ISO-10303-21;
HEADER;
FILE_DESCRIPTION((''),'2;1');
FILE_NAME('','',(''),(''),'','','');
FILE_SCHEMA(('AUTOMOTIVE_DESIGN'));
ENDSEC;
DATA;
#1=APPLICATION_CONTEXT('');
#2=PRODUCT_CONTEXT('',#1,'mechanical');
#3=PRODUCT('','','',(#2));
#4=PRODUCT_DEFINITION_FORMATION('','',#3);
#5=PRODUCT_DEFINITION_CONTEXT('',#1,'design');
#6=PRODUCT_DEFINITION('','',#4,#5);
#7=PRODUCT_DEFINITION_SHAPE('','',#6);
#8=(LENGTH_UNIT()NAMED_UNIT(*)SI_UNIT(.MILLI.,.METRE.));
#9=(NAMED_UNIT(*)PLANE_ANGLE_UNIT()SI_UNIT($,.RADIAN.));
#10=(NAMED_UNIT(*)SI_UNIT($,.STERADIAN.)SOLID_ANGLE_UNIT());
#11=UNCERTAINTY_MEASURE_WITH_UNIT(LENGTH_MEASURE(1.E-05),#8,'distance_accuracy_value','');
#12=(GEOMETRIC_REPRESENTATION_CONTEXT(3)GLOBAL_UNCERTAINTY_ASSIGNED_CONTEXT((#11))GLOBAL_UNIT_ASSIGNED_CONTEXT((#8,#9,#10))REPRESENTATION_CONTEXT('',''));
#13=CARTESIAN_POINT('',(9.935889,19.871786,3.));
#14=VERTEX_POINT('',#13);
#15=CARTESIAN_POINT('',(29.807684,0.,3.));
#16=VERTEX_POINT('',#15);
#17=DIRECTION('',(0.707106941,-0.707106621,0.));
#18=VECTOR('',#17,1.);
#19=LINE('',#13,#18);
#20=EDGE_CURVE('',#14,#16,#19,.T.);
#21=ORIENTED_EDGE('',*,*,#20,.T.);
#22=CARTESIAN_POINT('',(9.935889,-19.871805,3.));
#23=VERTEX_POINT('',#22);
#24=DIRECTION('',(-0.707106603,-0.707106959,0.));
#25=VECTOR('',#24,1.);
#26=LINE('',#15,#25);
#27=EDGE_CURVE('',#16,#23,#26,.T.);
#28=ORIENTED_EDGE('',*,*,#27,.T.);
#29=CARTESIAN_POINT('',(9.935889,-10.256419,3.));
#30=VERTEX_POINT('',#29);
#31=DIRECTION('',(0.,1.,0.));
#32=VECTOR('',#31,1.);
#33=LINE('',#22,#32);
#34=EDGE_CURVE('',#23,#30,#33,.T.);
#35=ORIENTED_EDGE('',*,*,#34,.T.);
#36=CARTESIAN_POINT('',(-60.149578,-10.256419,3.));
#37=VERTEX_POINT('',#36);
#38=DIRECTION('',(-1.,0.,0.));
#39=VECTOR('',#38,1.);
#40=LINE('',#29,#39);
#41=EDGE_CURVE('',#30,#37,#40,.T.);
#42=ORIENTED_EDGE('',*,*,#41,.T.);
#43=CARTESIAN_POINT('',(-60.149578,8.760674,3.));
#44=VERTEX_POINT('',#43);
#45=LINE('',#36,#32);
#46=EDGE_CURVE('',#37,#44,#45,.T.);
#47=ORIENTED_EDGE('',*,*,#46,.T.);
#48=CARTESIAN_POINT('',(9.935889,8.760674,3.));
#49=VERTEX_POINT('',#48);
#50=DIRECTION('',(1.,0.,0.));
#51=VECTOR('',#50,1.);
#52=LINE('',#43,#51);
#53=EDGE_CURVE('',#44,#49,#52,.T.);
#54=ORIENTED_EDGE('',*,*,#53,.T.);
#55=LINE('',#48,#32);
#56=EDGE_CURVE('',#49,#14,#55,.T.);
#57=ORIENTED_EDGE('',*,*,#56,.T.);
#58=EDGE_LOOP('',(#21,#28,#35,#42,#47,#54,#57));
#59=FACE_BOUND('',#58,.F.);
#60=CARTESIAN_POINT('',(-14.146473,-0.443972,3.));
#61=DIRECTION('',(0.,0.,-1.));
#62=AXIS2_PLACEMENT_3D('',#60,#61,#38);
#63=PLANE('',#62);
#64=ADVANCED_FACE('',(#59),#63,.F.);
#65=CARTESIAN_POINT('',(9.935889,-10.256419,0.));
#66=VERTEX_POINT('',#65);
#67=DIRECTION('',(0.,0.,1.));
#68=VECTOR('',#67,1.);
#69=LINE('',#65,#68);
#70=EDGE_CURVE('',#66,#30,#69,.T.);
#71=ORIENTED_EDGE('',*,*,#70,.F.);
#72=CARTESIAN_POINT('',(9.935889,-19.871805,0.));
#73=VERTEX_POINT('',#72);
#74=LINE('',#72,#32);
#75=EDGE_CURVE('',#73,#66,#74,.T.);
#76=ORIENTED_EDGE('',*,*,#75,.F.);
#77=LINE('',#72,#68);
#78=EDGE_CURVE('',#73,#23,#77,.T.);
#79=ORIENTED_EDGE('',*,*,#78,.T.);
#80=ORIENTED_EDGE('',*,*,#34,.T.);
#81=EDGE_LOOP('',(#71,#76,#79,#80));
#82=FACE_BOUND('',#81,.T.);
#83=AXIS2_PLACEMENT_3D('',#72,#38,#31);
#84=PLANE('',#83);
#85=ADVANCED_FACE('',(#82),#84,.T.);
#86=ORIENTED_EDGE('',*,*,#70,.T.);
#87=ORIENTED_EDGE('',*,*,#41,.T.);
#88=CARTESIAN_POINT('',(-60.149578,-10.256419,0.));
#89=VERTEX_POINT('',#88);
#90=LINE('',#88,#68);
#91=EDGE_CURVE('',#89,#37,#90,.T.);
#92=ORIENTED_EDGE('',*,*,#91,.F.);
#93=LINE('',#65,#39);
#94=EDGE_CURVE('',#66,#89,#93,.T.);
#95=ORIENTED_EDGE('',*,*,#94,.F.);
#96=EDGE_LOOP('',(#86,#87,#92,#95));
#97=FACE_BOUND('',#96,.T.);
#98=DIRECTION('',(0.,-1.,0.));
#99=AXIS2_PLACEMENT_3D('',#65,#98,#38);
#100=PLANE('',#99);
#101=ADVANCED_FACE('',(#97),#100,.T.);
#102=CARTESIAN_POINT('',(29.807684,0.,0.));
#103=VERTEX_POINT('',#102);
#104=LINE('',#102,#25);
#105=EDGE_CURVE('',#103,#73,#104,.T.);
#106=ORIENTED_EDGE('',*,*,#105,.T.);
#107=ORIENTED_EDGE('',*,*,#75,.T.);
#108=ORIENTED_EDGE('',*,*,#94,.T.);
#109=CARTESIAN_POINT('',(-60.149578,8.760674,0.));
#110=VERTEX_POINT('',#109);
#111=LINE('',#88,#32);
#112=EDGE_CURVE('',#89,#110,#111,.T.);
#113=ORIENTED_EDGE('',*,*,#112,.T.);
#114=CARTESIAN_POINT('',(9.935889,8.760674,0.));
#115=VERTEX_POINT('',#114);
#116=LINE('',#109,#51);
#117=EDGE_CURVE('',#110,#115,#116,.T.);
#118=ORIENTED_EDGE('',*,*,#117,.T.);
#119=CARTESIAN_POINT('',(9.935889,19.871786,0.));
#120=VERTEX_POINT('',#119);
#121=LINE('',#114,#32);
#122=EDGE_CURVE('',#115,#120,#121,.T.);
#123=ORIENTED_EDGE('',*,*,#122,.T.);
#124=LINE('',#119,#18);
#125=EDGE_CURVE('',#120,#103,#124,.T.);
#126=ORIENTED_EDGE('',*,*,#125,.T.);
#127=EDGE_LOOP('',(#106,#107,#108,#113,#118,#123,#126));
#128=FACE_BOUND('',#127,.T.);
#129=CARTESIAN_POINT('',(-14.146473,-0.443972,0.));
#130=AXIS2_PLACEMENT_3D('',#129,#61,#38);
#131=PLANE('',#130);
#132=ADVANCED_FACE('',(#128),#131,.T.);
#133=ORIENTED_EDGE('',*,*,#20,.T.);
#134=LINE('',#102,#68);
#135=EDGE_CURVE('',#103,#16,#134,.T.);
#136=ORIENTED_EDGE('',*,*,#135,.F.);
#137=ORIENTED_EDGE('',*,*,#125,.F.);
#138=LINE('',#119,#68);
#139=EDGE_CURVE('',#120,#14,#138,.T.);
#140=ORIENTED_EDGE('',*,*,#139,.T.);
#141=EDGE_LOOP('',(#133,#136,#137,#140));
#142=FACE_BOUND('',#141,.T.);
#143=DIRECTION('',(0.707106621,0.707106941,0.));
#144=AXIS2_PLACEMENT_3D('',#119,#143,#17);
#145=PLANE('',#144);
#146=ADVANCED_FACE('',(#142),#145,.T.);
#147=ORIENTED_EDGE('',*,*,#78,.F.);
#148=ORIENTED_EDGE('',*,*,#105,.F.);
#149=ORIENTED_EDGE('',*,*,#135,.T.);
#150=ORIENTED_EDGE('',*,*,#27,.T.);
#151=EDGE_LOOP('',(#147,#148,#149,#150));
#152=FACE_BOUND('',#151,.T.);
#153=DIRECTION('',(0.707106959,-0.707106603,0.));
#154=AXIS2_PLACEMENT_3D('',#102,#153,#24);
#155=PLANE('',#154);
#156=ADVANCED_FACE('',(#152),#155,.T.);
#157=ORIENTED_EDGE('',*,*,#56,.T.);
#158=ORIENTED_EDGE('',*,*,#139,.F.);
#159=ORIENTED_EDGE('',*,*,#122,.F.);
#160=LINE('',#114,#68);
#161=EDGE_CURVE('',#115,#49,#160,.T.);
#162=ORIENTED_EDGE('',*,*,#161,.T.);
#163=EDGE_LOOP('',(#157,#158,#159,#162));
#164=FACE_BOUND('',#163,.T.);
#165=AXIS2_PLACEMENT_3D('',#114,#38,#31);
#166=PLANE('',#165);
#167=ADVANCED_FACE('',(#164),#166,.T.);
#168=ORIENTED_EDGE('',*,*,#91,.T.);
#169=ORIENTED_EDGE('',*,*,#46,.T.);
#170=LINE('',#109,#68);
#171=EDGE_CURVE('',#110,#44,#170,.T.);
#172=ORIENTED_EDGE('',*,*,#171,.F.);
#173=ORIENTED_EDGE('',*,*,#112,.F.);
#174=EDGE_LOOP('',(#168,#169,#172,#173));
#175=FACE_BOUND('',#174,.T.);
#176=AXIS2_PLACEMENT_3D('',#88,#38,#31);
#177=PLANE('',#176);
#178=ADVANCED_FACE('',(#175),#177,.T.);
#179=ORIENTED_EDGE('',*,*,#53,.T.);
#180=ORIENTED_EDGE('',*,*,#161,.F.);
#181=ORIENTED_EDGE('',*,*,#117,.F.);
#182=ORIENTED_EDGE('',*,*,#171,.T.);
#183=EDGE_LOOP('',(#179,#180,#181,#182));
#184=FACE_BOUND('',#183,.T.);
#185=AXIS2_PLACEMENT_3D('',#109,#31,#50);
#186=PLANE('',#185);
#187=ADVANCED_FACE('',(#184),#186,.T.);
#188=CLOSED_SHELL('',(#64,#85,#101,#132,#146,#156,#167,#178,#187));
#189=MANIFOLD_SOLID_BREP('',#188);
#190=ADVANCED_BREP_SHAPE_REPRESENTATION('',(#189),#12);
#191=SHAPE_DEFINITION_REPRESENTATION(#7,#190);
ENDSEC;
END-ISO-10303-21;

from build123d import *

# Parameters (mm, degrees)
PAD_DEPTH = 3


with BuildPart() as part:
    # Sketch → Pad (new body)
    with BuildSketch(Plane.XY):
        Polygon((-60.149578, 8.760674), (9.935889, 8.760674), (9.935889, 19.871786), (29.807684, 0), (9.935889, -19.871805), (9.935889, -10.256419), (-60.149578, -10.256419), align=None)
    extrude(amount=PAD_DEPTH)


solid = part.part
